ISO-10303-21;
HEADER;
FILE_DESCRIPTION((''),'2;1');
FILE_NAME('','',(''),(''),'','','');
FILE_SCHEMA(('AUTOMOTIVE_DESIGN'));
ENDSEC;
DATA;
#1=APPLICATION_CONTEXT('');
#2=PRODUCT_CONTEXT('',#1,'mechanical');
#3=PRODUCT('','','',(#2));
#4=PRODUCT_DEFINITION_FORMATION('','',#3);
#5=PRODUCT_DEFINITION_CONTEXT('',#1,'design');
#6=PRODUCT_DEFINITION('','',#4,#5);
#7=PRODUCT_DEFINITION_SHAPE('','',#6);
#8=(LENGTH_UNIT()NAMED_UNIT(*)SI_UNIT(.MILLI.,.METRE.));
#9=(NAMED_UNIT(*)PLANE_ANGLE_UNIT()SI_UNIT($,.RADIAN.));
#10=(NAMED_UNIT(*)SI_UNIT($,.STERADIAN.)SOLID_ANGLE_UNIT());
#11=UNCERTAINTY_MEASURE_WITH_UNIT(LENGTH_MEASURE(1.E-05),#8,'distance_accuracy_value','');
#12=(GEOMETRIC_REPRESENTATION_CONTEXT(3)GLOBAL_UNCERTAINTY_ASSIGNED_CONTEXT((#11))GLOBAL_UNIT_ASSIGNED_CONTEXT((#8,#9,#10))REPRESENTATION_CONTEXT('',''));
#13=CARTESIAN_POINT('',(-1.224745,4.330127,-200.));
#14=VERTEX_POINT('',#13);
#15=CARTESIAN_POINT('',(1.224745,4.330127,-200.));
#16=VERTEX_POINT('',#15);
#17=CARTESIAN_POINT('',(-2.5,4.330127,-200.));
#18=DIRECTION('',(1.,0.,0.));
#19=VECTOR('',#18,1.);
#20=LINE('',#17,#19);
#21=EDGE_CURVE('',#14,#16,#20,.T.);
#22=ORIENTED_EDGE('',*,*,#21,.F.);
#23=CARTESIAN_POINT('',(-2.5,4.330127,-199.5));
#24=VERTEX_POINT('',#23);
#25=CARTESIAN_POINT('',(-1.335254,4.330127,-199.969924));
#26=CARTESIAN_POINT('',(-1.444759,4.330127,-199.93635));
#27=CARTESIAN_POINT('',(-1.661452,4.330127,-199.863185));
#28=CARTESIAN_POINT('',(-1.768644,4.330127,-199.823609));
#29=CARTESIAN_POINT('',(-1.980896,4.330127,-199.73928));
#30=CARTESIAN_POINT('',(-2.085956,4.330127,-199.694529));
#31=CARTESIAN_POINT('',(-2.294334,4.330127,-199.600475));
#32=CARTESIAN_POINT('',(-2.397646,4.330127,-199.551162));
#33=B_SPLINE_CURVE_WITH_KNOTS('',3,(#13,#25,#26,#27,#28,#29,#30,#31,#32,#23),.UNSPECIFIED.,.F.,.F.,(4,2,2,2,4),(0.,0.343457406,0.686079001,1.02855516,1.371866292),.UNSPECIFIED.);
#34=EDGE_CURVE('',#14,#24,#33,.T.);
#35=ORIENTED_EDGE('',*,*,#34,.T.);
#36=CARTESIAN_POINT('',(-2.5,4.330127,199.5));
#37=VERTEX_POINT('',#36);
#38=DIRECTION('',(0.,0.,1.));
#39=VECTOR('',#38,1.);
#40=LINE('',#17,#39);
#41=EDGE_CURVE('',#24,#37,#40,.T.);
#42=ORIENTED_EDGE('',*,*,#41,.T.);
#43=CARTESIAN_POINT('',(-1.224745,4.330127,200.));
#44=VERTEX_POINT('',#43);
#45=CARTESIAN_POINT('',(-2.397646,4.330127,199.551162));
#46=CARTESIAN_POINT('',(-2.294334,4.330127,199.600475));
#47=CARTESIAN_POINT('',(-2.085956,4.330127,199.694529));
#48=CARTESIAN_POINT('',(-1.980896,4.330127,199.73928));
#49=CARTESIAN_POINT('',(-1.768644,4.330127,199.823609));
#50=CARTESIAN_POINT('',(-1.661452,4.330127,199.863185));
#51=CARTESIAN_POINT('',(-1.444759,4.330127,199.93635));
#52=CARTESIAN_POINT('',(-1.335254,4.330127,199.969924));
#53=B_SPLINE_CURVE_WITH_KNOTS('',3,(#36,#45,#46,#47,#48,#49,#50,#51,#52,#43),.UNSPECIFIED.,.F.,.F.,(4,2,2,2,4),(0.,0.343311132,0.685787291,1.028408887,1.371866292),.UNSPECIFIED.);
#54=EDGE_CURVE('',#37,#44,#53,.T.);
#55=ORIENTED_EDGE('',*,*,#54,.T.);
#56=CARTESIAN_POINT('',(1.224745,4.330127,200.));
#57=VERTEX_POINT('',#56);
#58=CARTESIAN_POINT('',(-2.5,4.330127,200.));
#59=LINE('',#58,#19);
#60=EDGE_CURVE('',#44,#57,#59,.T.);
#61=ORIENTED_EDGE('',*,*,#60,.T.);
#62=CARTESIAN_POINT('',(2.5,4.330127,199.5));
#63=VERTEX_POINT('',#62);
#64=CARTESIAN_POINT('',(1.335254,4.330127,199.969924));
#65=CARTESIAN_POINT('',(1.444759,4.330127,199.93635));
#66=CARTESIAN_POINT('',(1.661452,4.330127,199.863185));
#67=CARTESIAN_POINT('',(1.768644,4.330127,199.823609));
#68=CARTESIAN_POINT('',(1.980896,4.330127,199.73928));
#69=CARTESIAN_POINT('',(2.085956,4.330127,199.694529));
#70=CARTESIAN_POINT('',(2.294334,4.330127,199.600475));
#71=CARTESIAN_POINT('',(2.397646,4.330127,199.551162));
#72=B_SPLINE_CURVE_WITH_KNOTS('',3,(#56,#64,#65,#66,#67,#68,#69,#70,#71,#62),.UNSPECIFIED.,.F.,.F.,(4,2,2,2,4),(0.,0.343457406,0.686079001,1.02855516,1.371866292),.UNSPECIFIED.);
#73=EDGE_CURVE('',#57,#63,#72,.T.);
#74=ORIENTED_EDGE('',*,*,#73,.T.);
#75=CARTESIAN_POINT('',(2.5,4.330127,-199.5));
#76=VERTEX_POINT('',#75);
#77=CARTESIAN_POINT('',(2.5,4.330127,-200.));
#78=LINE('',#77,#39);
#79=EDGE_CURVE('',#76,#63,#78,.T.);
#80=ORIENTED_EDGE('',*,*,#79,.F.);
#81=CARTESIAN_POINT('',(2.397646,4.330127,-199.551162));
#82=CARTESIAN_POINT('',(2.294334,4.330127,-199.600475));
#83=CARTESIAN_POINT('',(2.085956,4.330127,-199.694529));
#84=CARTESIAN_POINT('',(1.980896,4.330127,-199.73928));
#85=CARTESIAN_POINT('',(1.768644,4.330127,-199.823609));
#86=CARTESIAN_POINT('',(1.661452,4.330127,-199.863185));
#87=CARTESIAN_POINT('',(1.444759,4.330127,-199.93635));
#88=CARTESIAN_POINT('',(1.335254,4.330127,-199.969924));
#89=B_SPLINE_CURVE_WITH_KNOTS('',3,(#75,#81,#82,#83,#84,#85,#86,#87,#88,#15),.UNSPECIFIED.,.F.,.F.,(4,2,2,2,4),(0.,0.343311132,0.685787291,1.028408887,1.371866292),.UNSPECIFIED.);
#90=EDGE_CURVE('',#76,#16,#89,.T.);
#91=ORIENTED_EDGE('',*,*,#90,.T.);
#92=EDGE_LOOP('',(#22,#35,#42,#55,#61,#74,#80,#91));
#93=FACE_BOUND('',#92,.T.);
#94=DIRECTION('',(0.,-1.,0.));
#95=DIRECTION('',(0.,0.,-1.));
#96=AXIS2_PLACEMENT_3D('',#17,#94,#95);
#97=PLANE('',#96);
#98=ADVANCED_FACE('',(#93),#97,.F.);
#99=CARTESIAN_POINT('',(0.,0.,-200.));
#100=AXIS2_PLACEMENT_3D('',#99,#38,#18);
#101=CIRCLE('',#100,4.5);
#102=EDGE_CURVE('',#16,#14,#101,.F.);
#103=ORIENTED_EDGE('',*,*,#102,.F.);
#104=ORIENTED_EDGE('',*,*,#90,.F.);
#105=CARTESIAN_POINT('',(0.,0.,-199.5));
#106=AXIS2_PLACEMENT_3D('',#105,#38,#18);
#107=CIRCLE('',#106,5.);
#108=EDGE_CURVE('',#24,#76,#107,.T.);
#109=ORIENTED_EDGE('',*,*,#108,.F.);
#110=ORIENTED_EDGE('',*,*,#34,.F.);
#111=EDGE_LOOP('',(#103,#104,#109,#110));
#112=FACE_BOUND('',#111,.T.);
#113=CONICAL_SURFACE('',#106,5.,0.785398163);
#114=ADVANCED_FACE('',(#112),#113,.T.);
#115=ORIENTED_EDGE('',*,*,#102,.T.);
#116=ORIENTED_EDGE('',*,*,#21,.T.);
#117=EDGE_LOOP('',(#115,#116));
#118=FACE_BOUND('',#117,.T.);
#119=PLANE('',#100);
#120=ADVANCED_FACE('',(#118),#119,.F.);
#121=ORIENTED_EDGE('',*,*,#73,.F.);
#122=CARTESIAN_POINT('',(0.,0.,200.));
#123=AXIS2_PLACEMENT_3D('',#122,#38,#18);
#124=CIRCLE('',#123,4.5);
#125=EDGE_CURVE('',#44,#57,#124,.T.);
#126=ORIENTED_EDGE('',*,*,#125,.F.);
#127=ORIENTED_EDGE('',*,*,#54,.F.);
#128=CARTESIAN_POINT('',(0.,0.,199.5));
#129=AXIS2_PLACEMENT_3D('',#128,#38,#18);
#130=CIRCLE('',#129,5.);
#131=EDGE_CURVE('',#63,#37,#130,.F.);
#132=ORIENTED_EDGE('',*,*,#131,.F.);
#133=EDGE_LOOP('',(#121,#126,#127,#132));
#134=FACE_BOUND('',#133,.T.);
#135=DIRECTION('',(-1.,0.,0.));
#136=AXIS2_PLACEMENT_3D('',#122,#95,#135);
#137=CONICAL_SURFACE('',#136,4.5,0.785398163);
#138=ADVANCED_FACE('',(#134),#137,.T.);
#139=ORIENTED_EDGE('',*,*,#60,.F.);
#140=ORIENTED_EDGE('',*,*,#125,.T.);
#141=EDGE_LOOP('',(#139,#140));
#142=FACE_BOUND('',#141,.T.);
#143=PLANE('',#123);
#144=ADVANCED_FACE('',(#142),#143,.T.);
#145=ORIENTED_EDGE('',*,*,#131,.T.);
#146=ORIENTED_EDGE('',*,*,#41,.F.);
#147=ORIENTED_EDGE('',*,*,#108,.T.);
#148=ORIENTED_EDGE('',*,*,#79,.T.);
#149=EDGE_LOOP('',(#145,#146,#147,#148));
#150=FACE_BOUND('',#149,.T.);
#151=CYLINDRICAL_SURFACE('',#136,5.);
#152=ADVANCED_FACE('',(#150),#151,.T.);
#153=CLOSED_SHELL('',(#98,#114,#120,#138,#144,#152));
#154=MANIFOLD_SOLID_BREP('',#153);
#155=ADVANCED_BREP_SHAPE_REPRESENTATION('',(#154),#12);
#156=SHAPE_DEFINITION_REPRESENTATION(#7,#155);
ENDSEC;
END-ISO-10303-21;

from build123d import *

# Parameters (mm, degrees)
SKETCH3_R                = 5
BOSS_EXTRUDE2_DEPTH      = 200
BOSS_EXTRUDE2_DEPTH_BACK = 200
CUT_EXTRUDE5_DEPTH       = 201
CUT_EXTRUDE5_DEPTH_BACK  = 201
CHAMFER1_SIZE            = 0.5


with BuildPart() as part:
    # Sketch3 → Boss-Extrude2 (new body, two sides)
    with BuildSketch(Plane.XY) as boss_extrude2_sk:
        Circle(SKETCH3_R)
    extrude(amount=BOSS_EXTRUDE2_DEPTH)
    extrude(boss_extrude2_sk.sketch, amount=-BOSS_EXTRUDE2_DEPTH_BACK)

    # Sketch10 → Cut-Extrude5 (cut, two sides)
    with BuildSketch(Plane.XY) as cut_extrude5_sk:
        with BuildLine():
            Line((-2.5, 4.330127019), (2.5, 4.330127019))
            ThreePointArc((2.5, 4.330127019), (0, 5), (-2.5, 4.330127019))
        make_face()
    extrude(amount=CUT_EXTRUDE5_DEPTH, mode=Mode.SUBTRACT)
    extrude(cut_extrude5_sk.sketch, amount=-CUT_EXTRUDE5_DEPTH_BACK, mode=Mode.SUBTRACT)

    # Chamfer1
    chamfer1_edges = [part.edges().sort_by_distance(p)[0] for p in [
        (0, -5, -200),
        (0, -5, 200),
    ]]
    chamfer(chamfer1_edges, length=CHAMFER1_SIZE)


solid = part.part
